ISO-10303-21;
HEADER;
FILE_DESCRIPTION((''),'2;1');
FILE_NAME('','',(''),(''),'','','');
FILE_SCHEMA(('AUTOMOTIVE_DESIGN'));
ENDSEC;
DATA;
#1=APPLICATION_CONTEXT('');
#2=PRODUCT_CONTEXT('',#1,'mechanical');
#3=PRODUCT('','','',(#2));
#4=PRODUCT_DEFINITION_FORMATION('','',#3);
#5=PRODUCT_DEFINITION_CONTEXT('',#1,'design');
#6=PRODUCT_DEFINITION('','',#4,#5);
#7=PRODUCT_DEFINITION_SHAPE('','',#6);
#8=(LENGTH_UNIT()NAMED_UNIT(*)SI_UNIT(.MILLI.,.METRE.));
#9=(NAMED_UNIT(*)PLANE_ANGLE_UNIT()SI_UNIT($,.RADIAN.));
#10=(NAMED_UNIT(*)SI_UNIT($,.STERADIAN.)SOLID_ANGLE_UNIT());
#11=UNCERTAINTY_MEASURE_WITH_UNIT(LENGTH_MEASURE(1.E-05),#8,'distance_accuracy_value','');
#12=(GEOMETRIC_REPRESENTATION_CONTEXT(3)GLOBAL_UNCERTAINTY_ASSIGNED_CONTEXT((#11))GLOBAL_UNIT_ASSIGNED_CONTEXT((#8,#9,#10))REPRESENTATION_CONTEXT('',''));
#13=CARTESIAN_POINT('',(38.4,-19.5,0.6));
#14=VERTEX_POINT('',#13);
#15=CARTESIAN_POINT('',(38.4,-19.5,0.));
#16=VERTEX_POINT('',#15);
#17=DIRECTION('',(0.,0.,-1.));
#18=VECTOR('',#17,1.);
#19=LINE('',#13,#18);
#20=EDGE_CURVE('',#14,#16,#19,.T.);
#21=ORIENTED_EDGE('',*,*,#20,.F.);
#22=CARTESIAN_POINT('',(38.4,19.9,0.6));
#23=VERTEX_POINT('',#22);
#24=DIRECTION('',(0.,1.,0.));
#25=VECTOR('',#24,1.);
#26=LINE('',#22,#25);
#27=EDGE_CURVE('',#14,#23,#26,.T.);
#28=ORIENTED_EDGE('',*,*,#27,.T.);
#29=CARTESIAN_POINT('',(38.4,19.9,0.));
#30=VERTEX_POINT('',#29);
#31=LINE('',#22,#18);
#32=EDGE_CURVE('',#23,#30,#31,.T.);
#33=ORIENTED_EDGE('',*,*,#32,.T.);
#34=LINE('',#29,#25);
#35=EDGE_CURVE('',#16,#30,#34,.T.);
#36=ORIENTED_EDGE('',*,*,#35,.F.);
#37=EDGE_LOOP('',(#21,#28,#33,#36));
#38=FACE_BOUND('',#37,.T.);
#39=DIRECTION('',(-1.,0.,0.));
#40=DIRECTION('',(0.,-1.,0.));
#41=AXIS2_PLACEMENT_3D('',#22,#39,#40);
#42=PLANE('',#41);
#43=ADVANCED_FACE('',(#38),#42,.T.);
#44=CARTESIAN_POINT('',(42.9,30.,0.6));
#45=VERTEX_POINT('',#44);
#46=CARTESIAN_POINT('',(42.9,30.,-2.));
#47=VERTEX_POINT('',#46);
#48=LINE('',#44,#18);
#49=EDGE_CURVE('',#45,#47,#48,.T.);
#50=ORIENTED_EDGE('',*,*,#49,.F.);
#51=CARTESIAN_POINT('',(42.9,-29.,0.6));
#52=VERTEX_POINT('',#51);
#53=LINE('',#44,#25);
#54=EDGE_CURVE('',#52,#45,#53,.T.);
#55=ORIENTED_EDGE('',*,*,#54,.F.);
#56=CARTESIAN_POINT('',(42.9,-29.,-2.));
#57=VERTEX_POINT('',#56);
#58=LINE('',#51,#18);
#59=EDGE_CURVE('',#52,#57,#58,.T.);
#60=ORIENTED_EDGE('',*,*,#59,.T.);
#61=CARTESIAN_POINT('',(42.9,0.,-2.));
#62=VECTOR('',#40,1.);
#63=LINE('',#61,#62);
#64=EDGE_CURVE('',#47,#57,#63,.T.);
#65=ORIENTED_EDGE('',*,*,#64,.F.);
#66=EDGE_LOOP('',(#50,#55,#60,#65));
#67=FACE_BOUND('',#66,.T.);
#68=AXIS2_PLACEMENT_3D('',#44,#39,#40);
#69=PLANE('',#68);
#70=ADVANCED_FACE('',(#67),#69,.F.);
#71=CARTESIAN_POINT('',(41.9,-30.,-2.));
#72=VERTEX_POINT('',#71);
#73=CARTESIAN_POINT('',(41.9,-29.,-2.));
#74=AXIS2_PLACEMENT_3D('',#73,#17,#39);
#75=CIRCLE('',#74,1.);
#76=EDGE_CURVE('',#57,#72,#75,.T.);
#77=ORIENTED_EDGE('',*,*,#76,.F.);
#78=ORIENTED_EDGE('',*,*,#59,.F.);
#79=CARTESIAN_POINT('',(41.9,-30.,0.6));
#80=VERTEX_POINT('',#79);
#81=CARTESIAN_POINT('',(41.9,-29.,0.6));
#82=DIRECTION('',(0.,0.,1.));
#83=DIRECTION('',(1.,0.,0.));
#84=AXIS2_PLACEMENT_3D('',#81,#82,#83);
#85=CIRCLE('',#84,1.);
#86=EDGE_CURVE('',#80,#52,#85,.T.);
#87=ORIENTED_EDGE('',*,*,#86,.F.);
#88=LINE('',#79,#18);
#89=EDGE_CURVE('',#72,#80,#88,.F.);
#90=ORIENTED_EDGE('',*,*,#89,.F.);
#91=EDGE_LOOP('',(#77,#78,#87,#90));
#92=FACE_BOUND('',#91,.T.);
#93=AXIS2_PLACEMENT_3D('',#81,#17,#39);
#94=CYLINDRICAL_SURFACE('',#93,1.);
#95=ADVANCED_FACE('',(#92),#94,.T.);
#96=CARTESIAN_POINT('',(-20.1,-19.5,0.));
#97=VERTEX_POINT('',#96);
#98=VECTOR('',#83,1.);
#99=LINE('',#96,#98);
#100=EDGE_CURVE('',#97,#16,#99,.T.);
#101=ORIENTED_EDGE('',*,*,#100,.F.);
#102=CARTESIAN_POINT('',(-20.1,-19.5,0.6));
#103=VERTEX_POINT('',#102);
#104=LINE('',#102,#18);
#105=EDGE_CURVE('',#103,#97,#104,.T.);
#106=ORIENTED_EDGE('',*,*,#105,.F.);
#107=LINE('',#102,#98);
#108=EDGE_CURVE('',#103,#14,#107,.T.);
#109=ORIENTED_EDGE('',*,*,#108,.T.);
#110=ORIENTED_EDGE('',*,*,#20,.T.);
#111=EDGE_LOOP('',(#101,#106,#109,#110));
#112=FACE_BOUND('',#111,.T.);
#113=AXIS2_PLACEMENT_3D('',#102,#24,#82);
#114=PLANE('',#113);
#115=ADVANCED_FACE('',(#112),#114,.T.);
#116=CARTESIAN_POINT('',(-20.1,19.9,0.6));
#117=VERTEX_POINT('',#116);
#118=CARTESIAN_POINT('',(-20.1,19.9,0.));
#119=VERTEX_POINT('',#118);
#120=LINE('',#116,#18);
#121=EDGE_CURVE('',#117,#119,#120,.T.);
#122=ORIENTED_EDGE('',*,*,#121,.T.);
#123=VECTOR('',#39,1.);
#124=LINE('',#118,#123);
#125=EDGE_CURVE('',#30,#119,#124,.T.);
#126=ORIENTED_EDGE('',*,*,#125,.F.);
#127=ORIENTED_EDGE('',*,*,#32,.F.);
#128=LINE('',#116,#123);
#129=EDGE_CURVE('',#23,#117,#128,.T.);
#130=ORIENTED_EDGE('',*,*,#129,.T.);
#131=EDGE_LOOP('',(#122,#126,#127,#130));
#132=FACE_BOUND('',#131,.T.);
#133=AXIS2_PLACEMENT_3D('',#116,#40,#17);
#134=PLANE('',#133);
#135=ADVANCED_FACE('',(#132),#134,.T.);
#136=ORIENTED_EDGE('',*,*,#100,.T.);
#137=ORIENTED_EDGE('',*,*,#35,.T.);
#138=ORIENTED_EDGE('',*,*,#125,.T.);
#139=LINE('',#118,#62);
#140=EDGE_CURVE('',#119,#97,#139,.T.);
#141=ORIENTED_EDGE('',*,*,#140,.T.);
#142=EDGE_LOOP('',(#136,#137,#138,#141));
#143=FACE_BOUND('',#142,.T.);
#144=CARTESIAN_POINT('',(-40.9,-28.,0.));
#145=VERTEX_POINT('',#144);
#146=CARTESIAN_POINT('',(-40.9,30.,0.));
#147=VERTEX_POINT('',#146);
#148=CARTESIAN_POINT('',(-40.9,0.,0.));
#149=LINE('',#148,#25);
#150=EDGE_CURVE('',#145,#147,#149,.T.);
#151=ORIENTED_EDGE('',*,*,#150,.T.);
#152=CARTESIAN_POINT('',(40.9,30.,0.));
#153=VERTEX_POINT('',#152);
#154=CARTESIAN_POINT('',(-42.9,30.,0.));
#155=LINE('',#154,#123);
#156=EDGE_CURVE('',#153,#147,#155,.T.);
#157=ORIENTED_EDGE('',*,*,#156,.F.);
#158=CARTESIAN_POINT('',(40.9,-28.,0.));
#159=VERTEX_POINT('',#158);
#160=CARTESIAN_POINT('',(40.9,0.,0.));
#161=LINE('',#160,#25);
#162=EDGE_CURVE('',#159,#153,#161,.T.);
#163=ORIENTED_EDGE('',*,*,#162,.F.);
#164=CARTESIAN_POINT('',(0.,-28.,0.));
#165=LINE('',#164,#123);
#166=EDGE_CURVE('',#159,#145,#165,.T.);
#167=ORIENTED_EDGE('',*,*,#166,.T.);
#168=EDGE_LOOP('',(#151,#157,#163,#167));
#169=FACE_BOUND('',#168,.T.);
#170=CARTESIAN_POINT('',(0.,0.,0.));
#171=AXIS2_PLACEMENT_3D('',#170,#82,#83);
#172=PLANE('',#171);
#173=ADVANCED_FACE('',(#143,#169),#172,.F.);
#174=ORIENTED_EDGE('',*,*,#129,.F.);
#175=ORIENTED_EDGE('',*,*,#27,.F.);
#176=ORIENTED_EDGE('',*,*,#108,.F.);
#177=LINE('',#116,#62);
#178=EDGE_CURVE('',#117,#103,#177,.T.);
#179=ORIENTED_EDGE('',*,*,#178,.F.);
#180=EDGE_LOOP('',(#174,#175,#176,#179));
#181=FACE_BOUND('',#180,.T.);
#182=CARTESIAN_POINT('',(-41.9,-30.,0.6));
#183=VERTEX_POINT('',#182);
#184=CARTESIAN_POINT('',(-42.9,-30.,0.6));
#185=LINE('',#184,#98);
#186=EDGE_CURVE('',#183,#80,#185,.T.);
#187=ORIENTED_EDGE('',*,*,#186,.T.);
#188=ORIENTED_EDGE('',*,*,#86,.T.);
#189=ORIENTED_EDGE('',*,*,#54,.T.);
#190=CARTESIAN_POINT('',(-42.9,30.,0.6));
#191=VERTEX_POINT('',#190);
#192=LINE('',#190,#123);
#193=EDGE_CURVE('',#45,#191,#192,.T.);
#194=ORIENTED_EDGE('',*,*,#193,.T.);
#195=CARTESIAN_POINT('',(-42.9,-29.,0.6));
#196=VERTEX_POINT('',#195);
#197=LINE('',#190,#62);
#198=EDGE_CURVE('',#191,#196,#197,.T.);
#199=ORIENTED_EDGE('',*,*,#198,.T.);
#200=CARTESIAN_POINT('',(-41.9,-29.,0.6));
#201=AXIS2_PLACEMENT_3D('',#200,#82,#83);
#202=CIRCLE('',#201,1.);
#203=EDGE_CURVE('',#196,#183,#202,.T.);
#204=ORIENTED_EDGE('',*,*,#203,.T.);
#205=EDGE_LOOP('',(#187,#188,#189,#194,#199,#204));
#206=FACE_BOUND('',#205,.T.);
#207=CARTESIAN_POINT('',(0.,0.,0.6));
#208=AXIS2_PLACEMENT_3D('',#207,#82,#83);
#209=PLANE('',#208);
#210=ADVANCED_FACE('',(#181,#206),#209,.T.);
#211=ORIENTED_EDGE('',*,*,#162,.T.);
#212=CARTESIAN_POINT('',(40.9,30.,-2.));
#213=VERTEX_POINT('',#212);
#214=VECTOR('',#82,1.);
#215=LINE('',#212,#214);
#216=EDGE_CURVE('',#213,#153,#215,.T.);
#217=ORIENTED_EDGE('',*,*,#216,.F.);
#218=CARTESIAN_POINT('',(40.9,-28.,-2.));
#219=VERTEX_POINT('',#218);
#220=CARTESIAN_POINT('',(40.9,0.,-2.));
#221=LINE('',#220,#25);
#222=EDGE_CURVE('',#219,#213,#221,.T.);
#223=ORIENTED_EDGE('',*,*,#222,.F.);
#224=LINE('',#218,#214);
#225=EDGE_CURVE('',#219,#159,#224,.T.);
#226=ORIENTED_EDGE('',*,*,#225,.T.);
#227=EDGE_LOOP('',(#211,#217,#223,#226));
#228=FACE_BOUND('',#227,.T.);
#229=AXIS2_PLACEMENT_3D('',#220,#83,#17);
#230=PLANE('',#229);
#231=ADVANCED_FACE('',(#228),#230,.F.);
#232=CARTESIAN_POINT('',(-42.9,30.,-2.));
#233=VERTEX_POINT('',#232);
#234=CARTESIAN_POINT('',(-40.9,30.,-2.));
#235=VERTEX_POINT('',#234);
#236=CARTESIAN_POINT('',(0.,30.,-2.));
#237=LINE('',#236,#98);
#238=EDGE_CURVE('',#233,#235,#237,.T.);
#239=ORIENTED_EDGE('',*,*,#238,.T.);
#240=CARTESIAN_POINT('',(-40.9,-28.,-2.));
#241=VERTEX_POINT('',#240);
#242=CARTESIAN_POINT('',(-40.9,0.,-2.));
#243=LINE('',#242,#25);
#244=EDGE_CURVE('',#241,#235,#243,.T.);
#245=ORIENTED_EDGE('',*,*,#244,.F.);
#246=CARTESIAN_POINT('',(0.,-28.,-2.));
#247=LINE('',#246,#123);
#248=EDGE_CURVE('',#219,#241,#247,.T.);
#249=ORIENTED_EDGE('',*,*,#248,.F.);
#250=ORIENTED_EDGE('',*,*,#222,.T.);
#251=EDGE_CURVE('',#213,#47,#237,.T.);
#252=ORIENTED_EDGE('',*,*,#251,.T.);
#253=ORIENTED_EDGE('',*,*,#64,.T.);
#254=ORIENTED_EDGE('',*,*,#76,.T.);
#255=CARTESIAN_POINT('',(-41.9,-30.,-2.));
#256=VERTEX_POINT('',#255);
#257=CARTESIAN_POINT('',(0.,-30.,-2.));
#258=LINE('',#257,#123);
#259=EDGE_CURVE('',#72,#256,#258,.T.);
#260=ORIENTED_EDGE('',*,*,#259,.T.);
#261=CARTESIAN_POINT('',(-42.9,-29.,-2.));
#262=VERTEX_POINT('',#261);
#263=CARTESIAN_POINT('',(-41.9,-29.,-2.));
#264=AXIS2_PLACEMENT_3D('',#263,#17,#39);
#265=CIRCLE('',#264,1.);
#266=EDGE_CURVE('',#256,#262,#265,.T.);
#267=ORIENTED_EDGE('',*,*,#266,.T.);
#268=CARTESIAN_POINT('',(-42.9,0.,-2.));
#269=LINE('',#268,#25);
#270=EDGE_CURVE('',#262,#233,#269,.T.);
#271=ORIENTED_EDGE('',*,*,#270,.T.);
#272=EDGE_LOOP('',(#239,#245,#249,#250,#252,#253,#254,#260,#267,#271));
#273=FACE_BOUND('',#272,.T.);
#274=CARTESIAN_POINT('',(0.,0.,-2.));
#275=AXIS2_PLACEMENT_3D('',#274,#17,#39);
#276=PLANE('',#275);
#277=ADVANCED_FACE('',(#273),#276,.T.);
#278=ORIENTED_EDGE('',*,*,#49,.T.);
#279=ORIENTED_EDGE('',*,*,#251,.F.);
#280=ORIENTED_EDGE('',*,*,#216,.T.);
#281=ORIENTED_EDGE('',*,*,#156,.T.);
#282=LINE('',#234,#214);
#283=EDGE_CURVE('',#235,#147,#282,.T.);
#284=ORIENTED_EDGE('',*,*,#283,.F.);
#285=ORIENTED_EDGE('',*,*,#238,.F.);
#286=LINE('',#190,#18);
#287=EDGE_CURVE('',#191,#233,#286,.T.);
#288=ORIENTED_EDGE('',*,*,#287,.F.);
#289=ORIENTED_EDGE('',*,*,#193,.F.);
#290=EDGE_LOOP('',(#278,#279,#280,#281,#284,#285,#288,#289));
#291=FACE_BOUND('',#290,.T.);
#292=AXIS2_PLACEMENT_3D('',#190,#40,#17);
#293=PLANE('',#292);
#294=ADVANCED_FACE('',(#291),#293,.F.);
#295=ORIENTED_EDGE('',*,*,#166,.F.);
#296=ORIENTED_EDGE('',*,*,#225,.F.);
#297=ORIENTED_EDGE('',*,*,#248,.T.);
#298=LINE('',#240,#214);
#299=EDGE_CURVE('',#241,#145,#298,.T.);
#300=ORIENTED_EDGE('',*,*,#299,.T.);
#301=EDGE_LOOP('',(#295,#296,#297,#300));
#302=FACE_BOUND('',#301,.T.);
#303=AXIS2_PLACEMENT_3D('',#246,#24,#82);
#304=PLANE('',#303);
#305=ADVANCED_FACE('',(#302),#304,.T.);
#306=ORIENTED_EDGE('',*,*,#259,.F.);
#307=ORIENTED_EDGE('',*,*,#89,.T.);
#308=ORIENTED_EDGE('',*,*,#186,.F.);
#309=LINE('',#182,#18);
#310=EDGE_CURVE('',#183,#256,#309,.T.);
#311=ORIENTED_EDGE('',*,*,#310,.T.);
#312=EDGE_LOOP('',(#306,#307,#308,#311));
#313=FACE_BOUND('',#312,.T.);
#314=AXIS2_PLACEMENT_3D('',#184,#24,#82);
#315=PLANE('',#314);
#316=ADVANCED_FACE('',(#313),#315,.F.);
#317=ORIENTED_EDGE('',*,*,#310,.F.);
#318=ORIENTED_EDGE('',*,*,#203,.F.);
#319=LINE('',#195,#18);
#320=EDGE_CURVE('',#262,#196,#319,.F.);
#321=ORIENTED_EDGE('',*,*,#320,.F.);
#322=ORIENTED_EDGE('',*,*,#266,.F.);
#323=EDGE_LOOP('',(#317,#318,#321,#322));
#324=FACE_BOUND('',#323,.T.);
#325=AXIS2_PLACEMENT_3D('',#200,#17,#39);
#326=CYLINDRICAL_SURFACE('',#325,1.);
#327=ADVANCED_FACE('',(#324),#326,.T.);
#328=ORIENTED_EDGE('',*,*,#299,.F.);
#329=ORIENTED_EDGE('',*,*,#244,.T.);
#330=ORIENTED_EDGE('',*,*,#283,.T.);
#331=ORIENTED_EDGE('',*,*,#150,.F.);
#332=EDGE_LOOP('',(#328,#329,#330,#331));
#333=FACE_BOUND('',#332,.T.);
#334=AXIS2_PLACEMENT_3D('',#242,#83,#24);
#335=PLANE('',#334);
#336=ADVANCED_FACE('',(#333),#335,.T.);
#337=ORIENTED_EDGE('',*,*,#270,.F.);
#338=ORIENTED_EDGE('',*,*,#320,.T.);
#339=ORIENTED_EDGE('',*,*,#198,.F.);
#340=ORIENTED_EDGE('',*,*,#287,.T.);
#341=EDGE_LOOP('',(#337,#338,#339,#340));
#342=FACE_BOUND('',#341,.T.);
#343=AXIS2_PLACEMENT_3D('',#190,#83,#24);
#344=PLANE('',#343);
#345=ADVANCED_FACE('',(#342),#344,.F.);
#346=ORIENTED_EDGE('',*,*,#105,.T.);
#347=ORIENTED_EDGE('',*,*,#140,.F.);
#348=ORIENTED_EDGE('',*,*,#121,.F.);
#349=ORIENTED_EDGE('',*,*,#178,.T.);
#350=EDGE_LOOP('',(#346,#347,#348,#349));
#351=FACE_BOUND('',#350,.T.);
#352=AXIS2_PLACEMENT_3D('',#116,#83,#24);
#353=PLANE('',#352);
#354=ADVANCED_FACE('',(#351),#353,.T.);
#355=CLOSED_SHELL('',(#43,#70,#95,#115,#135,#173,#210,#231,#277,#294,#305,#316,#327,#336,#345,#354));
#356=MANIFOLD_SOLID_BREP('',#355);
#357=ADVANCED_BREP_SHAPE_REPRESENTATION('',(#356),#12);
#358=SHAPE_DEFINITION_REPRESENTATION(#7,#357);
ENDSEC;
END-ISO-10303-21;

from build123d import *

# Parameters (mm, degrees)
SKETCH_1_W      = 85.8
SKETCH_1_H      = 60
SKETCH_1_W_2    = 58.5
SKETCH_1_H_2    = 39.4
EXTRUDE_1_DEPTH = 0.6
SKETCH_2_W      = 2
SKETCH_2_H      = 58
SKETCH_2_W_2    = 81.8
SKETCH_2_H_2    = 2
EXTRUDE_2_DEPTH = 2
FILLET_1_R      = 1


with BuildPart() as part:
    # 草图1 → 凸台-拉伸1 (new body)
    with BuildSketch(Plane.XY):
        Rectangle(SKETCH_1_W, SKETCH_1_H)
        with Locations((9.15, 0.2)):
            Rectangle(SKETCH_1_W_2, SKETCH_1_H_2, mode=Mode.SUBTRACT)
    extrude(amount=EXTRUDE_1_DEPTH)

    # 草图2 → 凸台-拉伸2 (add)
    with BuildSketch(Plane(origin=(0, 0, 0), x_dir=(-1, 0, 0), z_dir=(0, 0, -1))):
        with Locations((-41.9, 1)):
            Rectangle(SKETCH_2_W, SKETCH_2_H)
        with Locations((0, -29)):
            Rectangle(SKETCH_2_W_2, SKETCH_2_H_2)
        with Locations((-41.9, -29)):
            Rectangle(SKETCH_2_W, SKETCH_2_H_2)
        with Locations((41.9, 1)):
            Rectangle(SKETCH_2_W, SKETCH_2_H)
        with Locations((41.9, -29)):
            Rectangle(SKETCH_2_W, SKETCH_2_H_2)
    extrude(amount=EXTRUDE_2_DEPTH)

    # 圆角1
    fillet_1_edges = [part.edges().sort_by_distance(p)[0] for p in [
        (42.9, -30, -0.7),
        (-42.9, -30, -0.7),
    ]]
    fillet(fillet_1_edges, radius=FILLET_1_R)


solid = part.part
